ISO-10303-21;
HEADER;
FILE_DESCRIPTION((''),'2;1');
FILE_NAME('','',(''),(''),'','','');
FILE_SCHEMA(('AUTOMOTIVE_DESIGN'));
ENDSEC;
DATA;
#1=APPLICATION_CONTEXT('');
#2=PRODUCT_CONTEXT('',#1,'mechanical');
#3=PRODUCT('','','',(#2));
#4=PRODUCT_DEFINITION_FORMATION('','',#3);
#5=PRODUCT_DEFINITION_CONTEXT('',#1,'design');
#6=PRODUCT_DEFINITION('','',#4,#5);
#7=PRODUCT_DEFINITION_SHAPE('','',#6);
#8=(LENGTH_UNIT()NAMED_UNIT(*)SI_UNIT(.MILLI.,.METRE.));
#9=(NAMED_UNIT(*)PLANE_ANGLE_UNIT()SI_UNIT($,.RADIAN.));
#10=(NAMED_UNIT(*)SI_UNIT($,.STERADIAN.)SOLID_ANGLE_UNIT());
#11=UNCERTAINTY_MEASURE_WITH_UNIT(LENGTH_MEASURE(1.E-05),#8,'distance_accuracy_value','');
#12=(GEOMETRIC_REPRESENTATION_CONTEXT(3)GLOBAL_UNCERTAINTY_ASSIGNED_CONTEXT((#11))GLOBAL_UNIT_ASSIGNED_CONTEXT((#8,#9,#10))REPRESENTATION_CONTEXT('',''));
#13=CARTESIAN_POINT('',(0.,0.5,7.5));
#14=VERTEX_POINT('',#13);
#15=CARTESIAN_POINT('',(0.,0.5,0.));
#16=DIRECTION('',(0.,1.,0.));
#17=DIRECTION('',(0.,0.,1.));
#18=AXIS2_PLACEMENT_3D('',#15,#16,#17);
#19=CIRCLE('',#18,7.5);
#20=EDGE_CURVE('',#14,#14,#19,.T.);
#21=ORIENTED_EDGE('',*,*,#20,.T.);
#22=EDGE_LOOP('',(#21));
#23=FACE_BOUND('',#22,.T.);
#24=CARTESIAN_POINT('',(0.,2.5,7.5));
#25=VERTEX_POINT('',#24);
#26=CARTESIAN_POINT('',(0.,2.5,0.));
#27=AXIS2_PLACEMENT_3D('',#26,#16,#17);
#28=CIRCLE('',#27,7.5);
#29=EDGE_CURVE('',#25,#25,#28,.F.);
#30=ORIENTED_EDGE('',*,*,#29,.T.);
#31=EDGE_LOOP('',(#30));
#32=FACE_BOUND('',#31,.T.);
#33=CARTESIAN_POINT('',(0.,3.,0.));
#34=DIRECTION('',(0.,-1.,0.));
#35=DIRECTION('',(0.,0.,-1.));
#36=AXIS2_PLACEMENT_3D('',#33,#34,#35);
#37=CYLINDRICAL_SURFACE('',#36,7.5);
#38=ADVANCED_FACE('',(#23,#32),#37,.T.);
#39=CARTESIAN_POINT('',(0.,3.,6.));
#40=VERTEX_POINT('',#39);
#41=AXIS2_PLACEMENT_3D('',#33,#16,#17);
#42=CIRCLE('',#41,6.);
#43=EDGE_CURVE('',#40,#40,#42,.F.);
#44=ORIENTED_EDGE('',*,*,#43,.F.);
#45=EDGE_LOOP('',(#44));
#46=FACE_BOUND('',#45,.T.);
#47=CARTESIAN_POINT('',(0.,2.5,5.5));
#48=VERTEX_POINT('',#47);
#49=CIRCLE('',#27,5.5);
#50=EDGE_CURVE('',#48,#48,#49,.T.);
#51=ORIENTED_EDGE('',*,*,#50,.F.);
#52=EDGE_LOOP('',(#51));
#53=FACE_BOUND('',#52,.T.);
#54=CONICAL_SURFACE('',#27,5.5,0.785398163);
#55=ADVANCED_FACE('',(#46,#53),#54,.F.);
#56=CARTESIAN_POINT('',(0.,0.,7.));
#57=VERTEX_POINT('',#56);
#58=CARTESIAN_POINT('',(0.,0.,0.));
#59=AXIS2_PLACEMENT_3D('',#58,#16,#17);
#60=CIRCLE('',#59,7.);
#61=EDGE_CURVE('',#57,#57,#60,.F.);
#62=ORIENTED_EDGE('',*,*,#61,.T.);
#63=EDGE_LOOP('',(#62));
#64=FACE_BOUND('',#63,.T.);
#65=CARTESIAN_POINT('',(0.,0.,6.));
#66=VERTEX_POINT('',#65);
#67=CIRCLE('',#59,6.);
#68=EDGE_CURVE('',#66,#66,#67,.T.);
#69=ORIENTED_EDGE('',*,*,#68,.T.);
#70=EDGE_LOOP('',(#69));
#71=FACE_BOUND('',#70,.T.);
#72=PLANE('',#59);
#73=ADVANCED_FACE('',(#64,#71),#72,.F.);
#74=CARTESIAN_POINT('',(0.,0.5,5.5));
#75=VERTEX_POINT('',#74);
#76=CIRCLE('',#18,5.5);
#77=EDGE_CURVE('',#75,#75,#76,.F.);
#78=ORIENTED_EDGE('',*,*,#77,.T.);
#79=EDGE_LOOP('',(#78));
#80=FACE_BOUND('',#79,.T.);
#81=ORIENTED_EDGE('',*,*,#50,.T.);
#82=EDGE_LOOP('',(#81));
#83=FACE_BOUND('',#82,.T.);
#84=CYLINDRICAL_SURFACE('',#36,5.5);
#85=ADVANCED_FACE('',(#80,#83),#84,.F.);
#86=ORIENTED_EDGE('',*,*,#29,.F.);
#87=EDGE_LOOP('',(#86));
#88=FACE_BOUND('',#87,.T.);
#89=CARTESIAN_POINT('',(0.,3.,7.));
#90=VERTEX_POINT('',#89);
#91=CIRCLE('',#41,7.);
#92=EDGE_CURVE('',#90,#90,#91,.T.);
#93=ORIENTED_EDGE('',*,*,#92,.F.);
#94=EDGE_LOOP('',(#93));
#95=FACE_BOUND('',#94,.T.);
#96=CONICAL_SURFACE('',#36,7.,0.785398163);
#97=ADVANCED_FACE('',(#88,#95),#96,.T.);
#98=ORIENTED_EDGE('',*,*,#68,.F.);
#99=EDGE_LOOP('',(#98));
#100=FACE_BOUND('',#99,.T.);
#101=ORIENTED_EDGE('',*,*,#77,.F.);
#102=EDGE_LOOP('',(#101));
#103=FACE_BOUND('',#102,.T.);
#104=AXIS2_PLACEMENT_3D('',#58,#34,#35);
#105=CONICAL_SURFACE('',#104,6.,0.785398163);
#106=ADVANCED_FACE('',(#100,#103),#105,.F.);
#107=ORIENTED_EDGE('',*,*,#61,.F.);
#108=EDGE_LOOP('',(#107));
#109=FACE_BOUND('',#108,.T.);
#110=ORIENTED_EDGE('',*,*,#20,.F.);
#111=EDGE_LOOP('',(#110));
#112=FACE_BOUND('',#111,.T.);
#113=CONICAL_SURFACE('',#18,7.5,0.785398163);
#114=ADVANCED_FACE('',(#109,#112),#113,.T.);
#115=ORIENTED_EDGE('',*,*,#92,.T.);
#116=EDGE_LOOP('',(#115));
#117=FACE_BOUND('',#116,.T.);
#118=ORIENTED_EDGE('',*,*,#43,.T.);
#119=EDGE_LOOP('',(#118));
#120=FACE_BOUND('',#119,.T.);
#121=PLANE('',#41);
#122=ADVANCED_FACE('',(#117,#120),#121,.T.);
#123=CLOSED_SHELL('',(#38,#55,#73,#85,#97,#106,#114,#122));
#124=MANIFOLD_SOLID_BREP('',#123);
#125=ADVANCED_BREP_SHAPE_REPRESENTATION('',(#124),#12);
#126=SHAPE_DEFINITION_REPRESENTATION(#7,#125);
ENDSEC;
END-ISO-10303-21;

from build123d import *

# Parameters (mm, degrees)
SKETCH_1_R      = 7.5
SKETCH_1_R_2    = 5.5
EXTRUDE_1_DEPTH = 3
CHAMFER_1_SIZE  = 0.5


with BuildPart() as part:
    # 草图1 → 凸台-拉伸1 (new body)
    with BuildSketch(Plane(origin=(0, 0, 0), x_dir=(1, 0, 0), z_dir=(0, 1, 0))):
        Circle(SKETCH_1_R)
        Circle(SKETCH_1_R_2, mode=Mode.SUBTRACT)
    extrude(amount=EXTRUDE_1_DEPTH)

    # 倒角1
    chamfer_1_edges = [part.edges().sort_by_distance(p)[0] for p in [
        (-7.5, 0, 0),
        (-7.5, 3, 0),
        (-5.5, 0, 0),
        (-5.5, 3, 0),
    ]]
    chamfer(chamfer_1_edges, length=CHAMFER_1_SIZE)


solid = part.part
